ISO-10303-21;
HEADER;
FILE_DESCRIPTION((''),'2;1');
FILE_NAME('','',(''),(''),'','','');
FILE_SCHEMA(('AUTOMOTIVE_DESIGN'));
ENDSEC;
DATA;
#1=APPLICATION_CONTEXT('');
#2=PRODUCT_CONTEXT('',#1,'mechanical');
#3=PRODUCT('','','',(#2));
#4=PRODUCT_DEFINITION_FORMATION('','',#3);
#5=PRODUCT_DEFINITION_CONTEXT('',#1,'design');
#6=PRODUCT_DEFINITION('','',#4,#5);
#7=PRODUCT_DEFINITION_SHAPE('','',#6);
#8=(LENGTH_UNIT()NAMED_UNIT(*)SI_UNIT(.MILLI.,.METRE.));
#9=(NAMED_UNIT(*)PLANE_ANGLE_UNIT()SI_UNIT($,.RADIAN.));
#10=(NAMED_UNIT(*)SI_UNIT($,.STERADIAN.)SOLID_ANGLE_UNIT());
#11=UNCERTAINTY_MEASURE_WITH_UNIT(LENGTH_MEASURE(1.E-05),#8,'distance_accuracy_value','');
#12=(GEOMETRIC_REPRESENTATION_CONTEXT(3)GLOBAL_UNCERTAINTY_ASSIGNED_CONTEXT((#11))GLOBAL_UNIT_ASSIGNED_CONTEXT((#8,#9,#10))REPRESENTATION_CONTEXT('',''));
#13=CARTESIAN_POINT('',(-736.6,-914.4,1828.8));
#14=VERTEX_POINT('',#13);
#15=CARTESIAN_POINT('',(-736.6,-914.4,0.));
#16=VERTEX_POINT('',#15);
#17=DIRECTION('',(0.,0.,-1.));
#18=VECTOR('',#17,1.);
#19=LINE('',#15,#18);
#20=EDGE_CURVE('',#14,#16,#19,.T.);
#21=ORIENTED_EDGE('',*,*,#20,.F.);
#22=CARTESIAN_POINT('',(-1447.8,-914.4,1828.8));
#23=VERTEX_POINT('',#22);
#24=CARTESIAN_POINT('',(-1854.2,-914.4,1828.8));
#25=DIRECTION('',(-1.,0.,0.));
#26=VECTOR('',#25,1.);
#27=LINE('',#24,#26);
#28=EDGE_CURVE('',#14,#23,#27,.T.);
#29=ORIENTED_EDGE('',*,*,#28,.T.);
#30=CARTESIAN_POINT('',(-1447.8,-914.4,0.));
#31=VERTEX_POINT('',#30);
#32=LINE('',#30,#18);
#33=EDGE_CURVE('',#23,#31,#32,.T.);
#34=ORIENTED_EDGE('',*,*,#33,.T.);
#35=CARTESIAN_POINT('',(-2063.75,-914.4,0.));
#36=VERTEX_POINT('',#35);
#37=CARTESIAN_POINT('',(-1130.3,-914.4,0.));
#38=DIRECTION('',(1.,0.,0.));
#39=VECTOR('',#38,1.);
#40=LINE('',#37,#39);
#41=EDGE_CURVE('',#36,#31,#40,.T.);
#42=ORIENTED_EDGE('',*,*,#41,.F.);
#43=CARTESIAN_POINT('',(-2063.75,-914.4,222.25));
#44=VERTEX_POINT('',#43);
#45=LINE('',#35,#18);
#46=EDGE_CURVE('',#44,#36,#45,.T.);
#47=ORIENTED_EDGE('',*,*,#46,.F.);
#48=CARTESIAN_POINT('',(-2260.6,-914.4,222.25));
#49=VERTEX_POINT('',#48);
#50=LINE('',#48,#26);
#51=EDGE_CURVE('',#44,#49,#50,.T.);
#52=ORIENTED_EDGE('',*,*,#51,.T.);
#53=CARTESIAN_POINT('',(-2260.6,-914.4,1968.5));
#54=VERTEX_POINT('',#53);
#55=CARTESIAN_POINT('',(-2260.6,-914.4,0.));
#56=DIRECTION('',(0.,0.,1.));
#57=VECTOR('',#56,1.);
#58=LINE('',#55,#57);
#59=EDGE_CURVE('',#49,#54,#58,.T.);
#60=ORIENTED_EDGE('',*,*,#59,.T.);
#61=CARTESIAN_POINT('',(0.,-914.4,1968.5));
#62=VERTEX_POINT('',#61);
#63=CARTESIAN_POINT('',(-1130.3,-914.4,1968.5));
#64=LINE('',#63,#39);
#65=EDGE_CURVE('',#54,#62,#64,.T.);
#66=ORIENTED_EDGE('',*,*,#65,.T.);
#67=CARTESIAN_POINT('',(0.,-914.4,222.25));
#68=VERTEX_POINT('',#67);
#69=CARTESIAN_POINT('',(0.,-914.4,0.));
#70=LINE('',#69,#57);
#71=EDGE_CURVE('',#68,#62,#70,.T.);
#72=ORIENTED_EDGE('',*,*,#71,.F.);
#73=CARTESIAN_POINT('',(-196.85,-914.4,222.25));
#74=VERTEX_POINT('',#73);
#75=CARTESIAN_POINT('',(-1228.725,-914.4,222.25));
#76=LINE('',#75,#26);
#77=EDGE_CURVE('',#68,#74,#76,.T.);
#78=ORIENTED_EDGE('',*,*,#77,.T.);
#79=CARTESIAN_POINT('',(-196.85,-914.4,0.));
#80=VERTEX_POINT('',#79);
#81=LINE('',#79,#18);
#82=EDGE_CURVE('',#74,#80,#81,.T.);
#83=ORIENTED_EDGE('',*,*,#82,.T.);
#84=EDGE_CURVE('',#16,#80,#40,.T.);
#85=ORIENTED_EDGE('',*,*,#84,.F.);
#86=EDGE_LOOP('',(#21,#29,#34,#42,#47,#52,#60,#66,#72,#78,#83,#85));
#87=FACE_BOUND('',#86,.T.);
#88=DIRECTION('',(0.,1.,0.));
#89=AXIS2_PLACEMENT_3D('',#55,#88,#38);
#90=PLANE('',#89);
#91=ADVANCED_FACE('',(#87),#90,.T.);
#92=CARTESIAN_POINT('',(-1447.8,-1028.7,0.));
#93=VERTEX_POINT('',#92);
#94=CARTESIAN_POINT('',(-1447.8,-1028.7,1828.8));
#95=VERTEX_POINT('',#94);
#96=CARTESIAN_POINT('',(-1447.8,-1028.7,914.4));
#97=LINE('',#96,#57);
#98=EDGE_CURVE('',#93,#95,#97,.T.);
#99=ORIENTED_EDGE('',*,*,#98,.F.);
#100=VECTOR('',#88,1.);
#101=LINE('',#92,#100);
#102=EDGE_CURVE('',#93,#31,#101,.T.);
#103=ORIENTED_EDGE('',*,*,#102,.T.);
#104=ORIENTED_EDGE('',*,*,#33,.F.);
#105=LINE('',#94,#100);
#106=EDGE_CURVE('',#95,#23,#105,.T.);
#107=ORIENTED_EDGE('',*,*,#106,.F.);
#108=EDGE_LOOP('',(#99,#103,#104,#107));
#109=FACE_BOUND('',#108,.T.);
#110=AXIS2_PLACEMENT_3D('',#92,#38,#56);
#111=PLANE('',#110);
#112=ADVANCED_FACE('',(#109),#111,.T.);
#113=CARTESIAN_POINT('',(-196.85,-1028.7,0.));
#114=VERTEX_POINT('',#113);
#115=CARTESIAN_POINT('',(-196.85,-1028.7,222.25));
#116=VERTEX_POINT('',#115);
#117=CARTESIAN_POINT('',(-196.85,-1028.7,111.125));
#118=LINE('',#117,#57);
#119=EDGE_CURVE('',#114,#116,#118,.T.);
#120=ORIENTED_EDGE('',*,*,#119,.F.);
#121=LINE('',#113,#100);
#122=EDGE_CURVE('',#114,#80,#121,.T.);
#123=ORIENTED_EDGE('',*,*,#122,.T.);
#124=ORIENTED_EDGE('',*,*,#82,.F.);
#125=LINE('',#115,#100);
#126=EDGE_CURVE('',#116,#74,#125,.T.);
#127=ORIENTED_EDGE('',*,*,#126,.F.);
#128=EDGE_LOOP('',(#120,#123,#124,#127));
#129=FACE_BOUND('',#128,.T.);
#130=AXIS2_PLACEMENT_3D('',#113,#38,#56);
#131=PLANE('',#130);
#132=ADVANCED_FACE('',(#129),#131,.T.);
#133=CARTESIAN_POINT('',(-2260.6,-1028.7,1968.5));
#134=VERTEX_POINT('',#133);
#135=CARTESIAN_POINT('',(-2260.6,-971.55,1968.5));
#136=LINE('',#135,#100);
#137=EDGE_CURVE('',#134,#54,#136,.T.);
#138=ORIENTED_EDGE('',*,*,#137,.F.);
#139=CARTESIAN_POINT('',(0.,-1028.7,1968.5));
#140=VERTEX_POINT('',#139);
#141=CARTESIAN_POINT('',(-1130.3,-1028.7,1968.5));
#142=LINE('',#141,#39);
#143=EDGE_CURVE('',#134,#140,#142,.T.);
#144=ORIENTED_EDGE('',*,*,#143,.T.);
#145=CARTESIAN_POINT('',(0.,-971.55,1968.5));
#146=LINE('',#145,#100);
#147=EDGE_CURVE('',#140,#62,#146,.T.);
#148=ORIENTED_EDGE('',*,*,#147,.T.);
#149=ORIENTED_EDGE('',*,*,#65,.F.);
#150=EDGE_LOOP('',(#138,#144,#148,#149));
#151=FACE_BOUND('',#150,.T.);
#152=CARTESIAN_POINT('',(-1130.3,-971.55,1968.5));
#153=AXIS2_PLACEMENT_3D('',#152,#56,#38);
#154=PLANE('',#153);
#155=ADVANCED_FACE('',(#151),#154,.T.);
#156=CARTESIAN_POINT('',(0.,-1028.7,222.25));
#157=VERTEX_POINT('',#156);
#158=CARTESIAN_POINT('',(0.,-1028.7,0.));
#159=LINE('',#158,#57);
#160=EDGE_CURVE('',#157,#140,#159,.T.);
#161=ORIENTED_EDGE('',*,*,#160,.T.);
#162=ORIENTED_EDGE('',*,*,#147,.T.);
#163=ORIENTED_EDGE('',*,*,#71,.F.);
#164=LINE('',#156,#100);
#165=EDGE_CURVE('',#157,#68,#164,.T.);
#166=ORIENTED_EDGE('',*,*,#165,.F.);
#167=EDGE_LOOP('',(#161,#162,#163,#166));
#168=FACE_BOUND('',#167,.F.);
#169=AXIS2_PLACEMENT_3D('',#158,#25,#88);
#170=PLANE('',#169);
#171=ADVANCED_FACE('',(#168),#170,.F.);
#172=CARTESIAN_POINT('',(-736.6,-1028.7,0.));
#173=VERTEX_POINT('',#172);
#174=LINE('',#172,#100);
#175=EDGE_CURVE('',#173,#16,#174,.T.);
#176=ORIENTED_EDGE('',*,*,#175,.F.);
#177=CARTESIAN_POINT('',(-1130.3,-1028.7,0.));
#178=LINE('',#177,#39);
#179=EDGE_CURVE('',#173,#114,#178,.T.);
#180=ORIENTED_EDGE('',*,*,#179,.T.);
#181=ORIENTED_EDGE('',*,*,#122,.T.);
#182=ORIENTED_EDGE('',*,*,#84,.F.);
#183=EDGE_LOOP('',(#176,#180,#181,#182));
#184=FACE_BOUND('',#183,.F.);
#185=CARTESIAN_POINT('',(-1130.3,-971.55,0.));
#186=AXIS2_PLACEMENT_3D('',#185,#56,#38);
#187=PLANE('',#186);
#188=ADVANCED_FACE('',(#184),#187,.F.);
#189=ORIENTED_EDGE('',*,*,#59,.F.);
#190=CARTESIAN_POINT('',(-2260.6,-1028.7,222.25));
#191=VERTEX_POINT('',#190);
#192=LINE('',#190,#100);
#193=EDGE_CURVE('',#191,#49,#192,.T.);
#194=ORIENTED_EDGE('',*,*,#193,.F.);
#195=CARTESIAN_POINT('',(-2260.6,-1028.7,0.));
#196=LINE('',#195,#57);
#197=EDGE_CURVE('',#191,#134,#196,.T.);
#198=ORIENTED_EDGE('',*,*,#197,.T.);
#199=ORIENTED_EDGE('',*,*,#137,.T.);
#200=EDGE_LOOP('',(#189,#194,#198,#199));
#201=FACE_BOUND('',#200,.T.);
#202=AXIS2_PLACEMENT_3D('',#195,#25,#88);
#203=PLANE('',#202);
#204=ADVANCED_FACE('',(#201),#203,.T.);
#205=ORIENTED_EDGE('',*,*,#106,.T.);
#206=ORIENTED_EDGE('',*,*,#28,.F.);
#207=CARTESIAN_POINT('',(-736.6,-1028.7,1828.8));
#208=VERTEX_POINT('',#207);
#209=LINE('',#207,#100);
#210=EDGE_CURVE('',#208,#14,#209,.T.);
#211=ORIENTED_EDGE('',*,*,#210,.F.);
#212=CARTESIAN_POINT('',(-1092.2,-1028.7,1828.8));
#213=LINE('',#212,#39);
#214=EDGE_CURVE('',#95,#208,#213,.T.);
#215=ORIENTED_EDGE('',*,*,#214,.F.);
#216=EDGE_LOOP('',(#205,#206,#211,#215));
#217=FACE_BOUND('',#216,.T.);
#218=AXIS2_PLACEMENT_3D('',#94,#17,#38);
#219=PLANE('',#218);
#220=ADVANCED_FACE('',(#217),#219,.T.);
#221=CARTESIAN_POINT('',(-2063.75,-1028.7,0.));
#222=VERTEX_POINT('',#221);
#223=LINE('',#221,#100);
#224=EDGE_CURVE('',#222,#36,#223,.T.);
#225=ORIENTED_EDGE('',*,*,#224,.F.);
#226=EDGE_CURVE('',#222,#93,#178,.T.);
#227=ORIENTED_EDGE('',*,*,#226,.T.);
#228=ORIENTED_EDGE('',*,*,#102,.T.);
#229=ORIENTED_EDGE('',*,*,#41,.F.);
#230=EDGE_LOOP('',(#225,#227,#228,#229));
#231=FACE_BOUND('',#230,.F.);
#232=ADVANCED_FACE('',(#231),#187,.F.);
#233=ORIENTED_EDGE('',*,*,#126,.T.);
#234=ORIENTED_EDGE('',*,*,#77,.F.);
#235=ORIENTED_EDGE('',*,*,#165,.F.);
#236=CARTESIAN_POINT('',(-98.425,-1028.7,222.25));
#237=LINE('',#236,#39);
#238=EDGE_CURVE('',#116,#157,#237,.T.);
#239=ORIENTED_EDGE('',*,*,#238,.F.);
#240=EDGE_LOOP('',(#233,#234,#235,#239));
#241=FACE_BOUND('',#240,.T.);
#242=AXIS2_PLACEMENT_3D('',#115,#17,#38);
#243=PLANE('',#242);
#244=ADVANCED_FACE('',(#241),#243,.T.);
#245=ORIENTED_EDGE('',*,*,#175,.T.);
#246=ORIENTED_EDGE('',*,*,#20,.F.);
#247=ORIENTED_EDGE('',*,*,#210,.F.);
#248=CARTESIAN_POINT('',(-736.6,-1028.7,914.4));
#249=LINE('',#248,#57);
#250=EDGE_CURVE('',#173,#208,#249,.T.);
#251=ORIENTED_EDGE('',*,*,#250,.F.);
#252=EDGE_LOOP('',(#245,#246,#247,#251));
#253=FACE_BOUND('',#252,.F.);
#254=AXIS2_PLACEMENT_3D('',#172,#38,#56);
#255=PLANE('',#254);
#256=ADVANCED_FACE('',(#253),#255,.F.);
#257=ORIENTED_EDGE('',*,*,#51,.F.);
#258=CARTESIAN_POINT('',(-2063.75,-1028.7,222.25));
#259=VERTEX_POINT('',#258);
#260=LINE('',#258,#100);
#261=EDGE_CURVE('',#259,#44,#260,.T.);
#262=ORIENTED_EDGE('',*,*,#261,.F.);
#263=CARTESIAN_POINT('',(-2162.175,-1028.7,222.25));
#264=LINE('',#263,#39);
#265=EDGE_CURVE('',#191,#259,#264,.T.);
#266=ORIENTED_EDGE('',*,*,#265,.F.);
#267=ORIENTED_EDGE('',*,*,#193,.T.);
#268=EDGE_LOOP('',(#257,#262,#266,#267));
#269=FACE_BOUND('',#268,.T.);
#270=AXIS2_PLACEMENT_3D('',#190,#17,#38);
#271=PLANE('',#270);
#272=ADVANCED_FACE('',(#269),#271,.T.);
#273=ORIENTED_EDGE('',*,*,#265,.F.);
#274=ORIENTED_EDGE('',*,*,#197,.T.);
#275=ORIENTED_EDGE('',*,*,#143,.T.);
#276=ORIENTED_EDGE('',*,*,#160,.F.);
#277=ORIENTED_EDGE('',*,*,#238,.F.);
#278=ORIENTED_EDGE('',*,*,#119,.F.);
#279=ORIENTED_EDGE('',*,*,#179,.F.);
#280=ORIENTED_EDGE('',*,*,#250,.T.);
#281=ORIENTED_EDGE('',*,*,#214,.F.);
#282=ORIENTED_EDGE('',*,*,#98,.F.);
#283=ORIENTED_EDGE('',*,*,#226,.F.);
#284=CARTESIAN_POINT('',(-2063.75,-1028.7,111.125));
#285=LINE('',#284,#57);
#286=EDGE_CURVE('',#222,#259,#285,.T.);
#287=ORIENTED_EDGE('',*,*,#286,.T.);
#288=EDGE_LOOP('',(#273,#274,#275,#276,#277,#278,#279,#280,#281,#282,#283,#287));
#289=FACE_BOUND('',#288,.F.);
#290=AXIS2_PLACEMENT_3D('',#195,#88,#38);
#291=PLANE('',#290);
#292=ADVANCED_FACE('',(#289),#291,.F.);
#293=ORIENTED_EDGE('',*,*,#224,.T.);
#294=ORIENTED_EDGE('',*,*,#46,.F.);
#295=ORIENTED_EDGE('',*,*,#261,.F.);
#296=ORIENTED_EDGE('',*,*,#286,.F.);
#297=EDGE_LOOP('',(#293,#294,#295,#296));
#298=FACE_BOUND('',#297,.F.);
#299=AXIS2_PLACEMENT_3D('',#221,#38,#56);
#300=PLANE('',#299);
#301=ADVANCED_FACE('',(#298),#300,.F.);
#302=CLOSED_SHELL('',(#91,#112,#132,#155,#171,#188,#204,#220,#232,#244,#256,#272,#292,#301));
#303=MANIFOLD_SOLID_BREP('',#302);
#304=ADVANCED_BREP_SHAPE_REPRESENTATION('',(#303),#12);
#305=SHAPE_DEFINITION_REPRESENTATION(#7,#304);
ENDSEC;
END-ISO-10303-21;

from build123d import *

# Parameters (mm, degrees)
F0_W     = 2260.6
F0_H     = 114.3
F1_DEPTH = 1968.5
F2_W     = 711.2
F2_H     = 1828.8
F3_DEPTH = 114.301
F4_W     = 196.85
F4_H     = 222.25
F5_DEPTH = 114.301


with BuildPart() as f1:
    # F0 (on Top) → F1 (new body)
    with BuildSketch(Plane.XY):
        with Locations((-1130.3, -971.55)):
            Rectangle(F0_W, F0_H)
    extrude(amount=F1_DEPTH)

    # F2 (on face) → F3 (cut, through all)
    with BuildSketch(Plane.XZ.offset(1028.7)):
        with Locations((-1092.2, 914.4)):
            Rectangle(F2_W, F2_H)
    extrude(amount=-F3_DEPTH, mode=Mode.SUBTRACT)

    # F4 (on face) → F5 (cut, through all)
    with BuildSketch(Plane.XZ.offset(1028.7)):
        with Locations((-2162.175, 111.125)):
            Rectangle(F4_W, F4_H)
        with Locations((-98.425, 111.125)):
            Rectangle(F4_W, F4_H)
    extrude(amount=-F5_DEPTH, mode=Mode.SUBTRACT)


solid = f1.part
